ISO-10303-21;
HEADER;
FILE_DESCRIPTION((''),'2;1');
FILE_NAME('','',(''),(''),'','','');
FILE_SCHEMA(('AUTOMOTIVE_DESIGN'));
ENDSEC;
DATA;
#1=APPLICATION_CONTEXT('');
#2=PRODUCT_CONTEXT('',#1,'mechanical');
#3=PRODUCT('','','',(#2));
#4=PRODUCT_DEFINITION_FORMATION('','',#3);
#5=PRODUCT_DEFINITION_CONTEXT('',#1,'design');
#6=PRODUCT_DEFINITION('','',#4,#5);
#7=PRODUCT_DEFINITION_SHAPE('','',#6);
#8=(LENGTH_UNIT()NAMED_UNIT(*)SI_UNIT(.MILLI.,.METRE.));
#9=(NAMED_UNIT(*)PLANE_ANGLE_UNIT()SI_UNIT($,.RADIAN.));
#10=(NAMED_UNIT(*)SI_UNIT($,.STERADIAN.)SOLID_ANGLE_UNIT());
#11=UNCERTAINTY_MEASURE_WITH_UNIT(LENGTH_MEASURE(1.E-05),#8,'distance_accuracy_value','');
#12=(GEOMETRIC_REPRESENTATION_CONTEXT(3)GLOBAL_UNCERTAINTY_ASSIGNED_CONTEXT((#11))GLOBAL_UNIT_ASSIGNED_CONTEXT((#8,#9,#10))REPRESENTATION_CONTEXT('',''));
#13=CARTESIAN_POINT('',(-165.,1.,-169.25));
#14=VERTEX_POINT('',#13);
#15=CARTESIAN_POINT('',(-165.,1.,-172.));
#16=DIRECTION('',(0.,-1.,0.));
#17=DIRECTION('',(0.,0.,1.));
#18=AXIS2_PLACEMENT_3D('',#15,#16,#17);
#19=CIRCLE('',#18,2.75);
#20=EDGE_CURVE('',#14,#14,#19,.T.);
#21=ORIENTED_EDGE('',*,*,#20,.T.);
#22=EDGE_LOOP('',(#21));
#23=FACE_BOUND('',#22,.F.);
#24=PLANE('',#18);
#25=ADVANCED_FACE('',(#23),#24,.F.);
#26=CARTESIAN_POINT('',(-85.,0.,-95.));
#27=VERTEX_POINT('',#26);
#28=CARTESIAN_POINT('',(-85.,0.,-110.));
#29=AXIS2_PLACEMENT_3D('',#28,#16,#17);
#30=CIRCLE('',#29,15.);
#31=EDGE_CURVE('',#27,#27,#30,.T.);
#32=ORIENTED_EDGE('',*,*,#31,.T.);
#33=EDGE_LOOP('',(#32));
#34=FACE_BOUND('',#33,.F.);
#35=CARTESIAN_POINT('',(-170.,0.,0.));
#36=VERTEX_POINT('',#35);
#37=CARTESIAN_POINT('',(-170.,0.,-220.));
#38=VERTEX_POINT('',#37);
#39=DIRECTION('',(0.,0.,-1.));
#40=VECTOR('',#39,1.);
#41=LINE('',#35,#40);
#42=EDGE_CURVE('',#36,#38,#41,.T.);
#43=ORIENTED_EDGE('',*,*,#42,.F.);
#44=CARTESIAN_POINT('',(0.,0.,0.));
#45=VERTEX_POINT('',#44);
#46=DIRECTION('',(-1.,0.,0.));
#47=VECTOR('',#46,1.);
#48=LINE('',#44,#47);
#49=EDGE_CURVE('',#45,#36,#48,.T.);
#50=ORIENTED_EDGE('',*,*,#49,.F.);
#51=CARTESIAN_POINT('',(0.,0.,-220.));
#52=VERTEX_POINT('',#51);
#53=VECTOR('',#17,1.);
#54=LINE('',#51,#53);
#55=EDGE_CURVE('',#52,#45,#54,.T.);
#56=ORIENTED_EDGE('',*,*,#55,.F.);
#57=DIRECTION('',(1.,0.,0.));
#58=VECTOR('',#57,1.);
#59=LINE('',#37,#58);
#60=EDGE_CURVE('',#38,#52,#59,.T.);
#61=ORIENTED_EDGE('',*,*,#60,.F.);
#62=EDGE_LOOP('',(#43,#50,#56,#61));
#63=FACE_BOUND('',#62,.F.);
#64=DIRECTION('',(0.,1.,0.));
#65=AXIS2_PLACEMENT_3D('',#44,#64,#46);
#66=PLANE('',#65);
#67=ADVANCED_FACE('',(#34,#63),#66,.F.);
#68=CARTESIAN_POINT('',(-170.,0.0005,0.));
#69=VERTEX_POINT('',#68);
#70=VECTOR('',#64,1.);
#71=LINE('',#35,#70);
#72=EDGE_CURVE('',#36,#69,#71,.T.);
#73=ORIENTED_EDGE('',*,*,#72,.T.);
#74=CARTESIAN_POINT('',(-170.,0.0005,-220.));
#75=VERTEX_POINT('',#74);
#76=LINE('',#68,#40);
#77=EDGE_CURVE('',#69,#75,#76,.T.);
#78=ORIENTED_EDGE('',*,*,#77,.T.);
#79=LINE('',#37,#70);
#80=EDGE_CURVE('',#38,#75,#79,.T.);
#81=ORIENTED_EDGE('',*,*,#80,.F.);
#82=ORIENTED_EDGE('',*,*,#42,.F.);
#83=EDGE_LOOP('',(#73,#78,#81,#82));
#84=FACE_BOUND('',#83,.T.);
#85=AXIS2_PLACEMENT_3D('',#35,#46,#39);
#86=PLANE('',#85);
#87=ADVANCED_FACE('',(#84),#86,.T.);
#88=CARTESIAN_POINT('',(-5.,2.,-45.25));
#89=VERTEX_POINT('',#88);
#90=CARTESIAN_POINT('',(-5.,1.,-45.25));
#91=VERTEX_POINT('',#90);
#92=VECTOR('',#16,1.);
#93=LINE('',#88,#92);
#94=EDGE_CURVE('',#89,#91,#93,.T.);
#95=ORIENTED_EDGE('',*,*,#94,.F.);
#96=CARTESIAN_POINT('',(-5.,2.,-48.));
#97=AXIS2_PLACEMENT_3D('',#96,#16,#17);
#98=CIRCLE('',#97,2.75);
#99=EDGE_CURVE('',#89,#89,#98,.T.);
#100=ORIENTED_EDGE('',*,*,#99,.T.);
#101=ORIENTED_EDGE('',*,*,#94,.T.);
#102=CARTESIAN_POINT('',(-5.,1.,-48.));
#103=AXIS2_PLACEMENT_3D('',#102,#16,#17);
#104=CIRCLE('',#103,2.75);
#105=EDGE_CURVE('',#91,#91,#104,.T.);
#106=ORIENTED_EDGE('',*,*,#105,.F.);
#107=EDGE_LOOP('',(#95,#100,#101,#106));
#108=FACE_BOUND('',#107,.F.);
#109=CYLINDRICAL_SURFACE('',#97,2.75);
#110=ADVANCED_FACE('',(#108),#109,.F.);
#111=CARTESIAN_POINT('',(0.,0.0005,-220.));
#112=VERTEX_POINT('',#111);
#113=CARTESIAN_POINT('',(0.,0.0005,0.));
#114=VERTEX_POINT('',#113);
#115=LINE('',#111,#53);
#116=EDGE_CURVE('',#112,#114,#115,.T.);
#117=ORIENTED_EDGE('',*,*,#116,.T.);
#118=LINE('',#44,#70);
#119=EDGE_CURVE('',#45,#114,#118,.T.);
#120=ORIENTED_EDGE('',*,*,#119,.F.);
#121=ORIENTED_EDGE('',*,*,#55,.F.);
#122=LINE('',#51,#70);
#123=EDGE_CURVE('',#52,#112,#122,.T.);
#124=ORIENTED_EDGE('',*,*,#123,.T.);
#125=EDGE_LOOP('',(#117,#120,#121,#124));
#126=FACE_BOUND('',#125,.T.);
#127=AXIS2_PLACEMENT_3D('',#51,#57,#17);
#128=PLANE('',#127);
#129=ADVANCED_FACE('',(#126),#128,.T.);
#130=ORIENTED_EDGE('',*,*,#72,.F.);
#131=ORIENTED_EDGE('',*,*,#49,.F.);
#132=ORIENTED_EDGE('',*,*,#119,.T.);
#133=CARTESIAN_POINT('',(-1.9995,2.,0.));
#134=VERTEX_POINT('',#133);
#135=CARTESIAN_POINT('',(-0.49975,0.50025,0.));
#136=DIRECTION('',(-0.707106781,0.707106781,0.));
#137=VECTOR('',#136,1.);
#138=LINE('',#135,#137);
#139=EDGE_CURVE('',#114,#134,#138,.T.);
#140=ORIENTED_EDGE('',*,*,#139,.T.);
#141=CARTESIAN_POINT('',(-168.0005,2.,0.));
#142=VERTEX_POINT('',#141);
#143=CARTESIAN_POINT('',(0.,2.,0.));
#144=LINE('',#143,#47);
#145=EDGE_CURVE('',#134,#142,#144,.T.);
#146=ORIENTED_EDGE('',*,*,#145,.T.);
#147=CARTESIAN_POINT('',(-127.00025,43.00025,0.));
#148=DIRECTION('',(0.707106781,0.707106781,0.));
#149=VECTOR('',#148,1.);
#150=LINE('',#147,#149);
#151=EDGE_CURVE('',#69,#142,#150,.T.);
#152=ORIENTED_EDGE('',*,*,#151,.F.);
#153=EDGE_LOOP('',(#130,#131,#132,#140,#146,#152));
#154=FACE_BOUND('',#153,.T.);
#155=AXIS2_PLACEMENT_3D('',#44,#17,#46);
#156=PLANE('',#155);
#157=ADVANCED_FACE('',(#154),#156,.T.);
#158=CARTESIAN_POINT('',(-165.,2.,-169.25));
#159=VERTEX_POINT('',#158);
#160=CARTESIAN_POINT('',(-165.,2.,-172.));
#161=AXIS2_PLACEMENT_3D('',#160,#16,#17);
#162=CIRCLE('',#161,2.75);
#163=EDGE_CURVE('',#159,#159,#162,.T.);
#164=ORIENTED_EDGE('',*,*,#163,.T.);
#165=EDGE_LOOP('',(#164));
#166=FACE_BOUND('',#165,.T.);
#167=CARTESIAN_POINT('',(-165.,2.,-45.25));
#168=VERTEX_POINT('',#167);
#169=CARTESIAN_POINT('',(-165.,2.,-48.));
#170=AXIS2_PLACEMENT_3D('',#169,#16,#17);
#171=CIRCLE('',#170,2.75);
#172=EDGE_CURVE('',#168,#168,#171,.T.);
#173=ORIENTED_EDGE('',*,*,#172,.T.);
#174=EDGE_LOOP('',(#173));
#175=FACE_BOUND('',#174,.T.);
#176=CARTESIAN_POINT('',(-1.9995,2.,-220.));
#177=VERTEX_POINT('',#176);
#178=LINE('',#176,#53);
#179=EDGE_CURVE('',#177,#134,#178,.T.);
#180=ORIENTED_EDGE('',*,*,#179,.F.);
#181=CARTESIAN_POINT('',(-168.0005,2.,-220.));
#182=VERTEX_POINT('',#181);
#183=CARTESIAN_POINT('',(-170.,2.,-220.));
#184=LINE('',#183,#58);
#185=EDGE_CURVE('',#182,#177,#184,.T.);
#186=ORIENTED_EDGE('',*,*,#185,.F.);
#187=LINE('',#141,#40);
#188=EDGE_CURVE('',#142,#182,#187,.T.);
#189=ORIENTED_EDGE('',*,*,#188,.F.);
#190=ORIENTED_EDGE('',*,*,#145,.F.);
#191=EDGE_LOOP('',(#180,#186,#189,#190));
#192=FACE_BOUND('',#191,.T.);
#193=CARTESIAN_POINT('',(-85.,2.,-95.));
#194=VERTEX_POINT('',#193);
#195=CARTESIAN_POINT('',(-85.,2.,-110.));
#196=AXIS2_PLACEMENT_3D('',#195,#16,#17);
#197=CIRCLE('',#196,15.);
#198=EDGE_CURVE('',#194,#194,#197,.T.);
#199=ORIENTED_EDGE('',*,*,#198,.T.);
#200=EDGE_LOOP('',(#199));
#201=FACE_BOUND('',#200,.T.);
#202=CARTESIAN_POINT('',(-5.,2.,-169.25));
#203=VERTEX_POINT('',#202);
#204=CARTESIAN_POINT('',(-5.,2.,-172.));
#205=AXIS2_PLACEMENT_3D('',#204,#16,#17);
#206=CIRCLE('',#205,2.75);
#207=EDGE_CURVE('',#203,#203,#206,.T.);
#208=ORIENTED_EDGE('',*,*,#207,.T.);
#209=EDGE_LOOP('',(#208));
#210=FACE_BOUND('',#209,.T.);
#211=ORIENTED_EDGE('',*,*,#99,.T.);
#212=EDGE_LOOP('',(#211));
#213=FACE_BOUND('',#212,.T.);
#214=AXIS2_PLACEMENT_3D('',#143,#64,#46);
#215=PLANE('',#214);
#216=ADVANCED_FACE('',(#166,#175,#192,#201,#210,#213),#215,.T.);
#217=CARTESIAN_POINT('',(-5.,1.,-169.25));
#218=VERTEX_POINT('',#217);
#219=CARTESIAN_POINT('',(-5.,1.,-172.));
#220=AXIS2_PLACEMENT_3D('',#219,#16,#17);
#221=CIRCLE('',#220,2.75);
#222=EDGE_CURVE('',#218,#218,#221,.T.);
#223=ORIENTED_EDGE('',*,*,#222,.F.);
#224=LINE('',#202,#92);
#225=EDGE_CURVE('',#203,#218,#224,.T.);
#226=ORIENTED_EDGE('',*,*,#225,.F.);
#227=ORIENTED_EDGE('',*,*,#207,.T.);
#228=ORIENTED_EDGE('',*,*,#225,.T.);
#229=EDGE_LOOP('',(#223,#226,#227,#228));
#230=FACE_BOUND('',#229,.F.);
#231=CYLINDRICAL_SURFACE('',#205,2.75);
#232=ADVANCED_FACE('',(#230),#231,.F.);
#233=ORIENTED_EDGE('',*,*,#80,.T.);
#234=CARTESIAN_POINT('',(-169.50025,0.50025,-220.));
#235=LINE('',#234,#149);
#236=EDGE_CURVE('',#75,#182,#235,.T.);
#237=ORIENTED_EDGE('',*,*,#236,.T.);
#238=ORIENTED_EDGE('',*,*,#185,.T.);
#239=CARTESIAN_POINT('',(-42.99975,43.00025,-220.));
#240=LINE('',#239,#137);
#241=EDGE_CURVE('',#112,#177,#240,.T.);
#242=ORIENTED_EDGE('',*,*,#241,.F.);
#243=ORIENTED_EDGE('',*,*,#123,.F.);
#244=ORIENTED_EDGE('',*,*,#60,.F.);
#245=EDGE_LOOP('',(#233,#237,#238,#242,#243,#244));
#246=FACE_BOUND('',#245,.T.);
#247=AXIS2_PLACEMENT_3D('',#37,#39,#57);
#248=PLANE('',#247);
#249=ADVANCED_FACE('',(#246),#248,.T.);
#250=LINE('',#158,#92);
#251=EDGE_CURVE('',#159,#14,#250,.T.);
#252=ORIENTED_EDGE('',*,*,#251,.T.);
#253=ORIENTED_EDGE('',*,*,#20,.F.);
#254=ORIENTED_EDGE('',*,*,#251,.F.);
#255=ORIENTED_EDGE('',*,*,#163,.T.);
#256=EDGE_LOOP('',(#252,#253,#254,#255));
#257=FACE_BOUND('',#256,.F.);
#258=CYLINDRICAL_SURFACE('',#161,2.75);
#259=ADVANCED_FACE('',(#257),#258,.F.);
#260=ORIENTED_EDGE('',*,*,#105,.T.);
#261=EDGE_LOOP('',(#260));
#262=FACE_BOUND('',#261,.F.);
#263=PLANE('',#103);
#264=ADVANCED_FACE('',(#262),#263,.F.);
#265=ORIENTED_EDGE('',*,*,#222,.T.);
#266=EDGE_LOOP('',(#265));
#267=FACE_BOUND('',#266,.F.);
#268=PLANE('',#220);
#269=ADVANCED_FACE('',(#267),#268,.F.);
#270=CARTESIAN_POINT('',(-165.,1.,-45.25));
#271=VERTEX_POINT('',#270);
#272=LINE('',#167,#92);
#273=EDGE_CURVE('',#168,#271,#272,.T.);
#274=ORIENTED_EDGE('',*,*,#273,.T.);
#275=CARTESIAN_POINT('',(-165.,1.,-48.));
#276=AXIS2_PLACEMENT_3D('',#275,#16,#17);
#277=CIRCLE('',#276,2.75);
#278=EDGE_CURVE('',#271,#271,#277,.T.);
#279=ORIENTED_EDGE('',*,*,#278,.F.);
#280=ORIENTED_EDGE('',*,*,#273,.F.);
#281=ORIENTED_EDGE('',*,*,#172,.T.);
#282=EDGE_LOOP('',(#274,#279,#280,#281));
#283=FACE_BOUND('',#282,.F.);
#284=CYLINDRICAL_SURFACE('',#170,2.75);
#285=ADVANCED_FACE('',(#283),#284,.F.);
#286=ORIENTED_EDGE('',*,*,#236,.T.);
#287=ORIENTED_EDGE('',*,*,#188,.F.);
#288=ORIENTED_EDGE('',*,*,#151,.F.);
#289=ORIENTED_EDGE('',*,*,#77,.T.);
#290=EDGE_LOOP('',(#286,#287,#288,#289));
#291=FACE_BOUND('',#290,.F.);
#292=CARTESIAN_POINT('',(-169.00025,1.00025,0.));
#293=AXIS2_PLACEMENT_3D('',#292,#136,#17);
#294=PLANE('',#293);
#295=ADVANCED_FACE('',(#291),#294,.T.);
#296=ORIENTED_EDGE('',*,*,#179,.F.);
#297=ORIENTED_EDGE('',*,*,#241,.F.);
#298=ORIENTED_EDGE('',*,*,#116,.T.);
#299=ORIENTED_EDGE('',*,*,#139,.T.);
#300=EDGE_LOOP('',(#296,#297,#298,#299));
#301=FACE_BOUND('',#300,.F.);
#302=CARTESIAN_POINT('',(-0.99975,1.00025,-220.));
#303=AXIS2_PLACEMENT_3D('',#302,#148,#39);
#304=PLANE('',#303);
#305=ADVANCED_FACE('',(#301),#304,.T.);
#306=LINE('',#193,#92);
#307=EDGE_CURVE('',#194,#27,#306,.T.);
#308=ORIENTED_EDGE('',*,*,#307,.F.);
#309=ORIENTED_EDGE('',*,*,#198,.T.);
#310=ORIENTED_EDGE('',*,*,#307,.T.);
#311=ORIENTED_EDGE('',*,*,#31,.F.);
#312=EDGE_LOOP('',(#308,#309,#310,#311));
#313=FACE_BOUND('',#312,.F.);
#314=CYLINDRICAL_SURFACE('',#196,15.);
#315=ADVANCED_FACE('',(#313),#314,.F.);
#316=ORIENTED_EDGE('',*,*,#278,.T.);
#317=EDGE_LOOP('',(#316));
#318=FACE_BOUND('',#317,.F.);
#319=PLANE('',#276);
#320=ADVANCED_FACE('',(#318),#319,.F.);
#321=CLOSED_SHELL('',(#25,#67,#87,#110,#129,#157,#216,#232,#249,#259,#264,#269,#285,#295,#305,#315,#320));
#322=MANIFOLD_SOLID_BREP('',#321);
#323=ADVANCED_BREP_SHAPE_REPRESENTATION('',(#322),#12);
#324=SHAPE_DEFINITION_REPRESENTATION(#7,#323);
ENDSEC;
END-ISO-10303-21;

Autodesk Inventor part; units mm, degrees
ref_plane "YZ Plane" through (0, 0, 0) normal (1, 0, 0) x (0, 1, 0)
ref_plane "XZ Plane" through (0, 0, 0) normal (0, 1, 0) x (-1, 0, 0)
ref_plane "XY Plane" through (0, 0, 0) normal (0, 0, 1) x (1, 0, 0)
sketch "Sketch1" plane through (0, 0, 0) normal (0, 1, 0) x (-1, 0, 0)
  line L0 (0, 0) -> (170, 0)
  line L1 (170, 0) -> (170, -220)
  line L2 (170, -220) -> (0, -220)
  line L3 (0, -220) -> (0, 0)
  dimension "d0" = 170
  dimension "d1" = 220
extrude "base" add sketch "Sketch1" along normal blind 2
chamfer "chamfers" distance 2 angle 45 2 edges at (-170, 2, -110) (0, 2, -110)
sketch "holes" plane through (0, 2, 0) normal (0, 1, 0) x (1, 0, 0)
  line L0 (-170, 220) -> (-170, 0) projected
  line L1 (0, 220) -> (-170, 220) projected
  line L2 (-170, 0) -> (0, 0)
  line L3 (0, 0) -> (0, 220)
  line L4 (0, 220) -> (-170, 220)
  line L5 (-170, 220) -> (-170, 0)
  line L6 (-168, 45) -> (-2, 45)
  line L7 (-2, 45) -> (-2, 175)
  line L8 (-2, 175) -> (-168, 175)
  line L9 (-168, 175) -> (-168, 45)
  line L10 (-2, 45) -> (-8, 45)
  line L11 (-8, 45) -> (-8, 51)
  line L12 (-8, 51) -> (-2, 51)
  line L13 (-2, 51) -> (-2, 45)
  line L14 (-2, 175) -> (-8, 175)
  line L15 (-8, 175) -> (-8, 169)
  line L16 (-8, 169) -> (-2, 169)
  line L17 (-2, 169) -> (-2, 175)
  line L18 (-168, 45) -> (-162, 45)
  line L19 (-162, 45) -> (-162, 51)
  line L20 (-162, 51) -> (-168, 51)
  line L21 (-168, 51) -> (-168, 45)
  line L22 (-168, 175) -> (-162, 175)
  line L23 (-162, 175) -> (-162, 169)
  line L24 (-162, 169) -> (-168, 169)
  line L25 (-168, 169) -> (-168, 175)
  point P0 (-85, 175)
  point P1 (-85, 220)
  point P2 (-168, 110)
  point P3 (-170, 110)
  point P4 (-165, 48)
  point P5 (-165, 172)
  point P6 (-5, 172)
  point P7 (-5, 48)
  point P8 (-85, 110)
  dimension "d10" = 166
  dimension "d11" = 130
  dimension "d12" = 6
  dimension "d13" = 6
  dimension "d14" = 6
  dimension "d15" = 6
  dimension "d16" = 6
  dimension "d17" = 6
  dimension "d18" = 6
hole "magnet_holders" at (-165, 2, -48) at (-165, 2, -172) at (-5, 2, -172) at (-5, 2, -48) direction (0, -1, 0) diameter 5.5 depth 1
hole "wire_hole" at (-85, 2, -110) direction (0, -1, 0) diameter 30 end through all
properties part number "lid"
